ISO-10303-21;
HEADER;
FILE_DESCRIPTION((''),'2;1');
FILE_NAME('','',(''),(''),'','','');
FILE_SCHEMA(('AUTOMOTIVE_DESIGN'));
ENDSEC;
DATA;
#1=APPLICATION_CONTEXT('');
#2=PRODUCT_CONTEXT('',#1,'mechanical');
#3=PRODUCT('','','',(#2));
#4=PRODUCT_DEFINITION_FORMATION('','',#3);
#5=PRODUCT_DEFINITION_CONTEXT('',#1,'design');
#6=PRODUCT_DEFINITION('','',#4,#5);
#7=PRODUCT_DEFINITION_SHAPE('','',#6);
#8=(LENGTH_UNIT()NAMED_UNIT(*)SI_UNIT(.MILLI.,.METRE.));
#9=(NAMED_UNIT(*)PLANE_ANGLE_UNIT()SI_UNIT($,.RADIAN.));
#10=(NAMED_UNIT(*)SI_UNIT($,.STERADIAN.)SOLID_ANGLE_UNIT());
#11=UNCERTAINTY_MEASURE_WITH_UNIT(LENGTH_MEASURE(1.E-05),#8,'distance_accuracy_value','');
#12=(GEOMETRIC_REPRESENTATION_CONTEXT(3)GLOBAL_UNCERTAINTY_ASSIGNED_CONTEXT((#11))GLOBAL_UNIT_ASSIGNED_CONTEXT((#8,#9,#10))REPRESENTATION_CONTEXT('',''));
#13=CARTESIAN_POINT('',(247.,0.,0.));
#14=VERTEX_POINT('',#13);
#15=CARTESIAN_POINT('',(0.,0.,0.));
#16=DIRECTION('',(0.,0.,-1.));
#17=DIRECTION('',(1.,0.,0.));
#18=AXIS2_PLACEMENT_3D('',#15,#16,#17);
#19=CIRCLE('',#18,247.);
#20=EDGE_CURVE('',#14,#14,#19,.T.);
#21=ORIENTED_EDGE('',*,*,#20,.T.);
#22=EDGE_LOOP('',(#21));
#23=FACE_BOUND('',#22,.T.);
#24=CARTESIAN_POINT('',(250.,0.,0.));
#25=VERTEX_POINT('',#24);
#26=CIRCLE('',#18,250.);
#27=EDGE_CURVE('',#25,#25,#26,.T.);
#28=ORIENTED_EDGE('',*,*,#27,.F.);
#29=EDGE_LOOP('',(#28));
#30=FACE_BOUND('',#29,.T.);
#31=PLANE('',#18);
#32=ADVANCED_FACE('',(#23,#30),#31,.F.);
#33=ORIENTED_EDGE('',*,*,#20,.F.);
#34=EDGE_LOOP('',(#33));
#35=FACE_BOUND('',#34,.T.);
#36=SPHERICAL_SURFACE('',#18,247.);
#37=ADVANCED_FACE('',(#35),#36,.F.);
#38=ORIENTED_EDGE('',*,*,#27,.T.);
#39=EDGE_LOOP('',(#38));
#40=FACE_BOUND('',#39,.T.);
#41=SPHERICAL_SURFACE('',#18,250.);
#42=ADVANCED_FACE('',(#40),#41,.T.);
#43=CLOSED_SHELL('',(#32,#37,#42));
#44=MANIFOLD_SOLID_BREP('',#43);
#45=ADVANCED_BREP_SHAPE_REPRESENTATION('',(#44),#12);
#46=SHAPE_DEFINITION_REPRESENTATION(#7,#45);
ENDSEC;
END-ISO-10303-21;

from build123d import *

# Parameters (mm, degrees)
ROTATION_D_NN1_ANGLE = 180


with BuildPart() as part:
    # Skizze1 → Rotation-Dünn1 (revolve)
    with BuildSketch(Plane.XY):
        with BuildLine():
            ThreePointArc((-250, 0), (0, -250), (250, 0))
            Line((250, 0), (247, 0))
            ThreePointArc((247, 0), (0, -247), (-247, 0))
            Line((-247, 0), (-250, 0))
        make_face()
    revolve(axis=Axis((-250, 0, 0), (1, 0, 0)), revolution_arc=ROTATION_D_NN1_ANGLE)


solid = part.part
